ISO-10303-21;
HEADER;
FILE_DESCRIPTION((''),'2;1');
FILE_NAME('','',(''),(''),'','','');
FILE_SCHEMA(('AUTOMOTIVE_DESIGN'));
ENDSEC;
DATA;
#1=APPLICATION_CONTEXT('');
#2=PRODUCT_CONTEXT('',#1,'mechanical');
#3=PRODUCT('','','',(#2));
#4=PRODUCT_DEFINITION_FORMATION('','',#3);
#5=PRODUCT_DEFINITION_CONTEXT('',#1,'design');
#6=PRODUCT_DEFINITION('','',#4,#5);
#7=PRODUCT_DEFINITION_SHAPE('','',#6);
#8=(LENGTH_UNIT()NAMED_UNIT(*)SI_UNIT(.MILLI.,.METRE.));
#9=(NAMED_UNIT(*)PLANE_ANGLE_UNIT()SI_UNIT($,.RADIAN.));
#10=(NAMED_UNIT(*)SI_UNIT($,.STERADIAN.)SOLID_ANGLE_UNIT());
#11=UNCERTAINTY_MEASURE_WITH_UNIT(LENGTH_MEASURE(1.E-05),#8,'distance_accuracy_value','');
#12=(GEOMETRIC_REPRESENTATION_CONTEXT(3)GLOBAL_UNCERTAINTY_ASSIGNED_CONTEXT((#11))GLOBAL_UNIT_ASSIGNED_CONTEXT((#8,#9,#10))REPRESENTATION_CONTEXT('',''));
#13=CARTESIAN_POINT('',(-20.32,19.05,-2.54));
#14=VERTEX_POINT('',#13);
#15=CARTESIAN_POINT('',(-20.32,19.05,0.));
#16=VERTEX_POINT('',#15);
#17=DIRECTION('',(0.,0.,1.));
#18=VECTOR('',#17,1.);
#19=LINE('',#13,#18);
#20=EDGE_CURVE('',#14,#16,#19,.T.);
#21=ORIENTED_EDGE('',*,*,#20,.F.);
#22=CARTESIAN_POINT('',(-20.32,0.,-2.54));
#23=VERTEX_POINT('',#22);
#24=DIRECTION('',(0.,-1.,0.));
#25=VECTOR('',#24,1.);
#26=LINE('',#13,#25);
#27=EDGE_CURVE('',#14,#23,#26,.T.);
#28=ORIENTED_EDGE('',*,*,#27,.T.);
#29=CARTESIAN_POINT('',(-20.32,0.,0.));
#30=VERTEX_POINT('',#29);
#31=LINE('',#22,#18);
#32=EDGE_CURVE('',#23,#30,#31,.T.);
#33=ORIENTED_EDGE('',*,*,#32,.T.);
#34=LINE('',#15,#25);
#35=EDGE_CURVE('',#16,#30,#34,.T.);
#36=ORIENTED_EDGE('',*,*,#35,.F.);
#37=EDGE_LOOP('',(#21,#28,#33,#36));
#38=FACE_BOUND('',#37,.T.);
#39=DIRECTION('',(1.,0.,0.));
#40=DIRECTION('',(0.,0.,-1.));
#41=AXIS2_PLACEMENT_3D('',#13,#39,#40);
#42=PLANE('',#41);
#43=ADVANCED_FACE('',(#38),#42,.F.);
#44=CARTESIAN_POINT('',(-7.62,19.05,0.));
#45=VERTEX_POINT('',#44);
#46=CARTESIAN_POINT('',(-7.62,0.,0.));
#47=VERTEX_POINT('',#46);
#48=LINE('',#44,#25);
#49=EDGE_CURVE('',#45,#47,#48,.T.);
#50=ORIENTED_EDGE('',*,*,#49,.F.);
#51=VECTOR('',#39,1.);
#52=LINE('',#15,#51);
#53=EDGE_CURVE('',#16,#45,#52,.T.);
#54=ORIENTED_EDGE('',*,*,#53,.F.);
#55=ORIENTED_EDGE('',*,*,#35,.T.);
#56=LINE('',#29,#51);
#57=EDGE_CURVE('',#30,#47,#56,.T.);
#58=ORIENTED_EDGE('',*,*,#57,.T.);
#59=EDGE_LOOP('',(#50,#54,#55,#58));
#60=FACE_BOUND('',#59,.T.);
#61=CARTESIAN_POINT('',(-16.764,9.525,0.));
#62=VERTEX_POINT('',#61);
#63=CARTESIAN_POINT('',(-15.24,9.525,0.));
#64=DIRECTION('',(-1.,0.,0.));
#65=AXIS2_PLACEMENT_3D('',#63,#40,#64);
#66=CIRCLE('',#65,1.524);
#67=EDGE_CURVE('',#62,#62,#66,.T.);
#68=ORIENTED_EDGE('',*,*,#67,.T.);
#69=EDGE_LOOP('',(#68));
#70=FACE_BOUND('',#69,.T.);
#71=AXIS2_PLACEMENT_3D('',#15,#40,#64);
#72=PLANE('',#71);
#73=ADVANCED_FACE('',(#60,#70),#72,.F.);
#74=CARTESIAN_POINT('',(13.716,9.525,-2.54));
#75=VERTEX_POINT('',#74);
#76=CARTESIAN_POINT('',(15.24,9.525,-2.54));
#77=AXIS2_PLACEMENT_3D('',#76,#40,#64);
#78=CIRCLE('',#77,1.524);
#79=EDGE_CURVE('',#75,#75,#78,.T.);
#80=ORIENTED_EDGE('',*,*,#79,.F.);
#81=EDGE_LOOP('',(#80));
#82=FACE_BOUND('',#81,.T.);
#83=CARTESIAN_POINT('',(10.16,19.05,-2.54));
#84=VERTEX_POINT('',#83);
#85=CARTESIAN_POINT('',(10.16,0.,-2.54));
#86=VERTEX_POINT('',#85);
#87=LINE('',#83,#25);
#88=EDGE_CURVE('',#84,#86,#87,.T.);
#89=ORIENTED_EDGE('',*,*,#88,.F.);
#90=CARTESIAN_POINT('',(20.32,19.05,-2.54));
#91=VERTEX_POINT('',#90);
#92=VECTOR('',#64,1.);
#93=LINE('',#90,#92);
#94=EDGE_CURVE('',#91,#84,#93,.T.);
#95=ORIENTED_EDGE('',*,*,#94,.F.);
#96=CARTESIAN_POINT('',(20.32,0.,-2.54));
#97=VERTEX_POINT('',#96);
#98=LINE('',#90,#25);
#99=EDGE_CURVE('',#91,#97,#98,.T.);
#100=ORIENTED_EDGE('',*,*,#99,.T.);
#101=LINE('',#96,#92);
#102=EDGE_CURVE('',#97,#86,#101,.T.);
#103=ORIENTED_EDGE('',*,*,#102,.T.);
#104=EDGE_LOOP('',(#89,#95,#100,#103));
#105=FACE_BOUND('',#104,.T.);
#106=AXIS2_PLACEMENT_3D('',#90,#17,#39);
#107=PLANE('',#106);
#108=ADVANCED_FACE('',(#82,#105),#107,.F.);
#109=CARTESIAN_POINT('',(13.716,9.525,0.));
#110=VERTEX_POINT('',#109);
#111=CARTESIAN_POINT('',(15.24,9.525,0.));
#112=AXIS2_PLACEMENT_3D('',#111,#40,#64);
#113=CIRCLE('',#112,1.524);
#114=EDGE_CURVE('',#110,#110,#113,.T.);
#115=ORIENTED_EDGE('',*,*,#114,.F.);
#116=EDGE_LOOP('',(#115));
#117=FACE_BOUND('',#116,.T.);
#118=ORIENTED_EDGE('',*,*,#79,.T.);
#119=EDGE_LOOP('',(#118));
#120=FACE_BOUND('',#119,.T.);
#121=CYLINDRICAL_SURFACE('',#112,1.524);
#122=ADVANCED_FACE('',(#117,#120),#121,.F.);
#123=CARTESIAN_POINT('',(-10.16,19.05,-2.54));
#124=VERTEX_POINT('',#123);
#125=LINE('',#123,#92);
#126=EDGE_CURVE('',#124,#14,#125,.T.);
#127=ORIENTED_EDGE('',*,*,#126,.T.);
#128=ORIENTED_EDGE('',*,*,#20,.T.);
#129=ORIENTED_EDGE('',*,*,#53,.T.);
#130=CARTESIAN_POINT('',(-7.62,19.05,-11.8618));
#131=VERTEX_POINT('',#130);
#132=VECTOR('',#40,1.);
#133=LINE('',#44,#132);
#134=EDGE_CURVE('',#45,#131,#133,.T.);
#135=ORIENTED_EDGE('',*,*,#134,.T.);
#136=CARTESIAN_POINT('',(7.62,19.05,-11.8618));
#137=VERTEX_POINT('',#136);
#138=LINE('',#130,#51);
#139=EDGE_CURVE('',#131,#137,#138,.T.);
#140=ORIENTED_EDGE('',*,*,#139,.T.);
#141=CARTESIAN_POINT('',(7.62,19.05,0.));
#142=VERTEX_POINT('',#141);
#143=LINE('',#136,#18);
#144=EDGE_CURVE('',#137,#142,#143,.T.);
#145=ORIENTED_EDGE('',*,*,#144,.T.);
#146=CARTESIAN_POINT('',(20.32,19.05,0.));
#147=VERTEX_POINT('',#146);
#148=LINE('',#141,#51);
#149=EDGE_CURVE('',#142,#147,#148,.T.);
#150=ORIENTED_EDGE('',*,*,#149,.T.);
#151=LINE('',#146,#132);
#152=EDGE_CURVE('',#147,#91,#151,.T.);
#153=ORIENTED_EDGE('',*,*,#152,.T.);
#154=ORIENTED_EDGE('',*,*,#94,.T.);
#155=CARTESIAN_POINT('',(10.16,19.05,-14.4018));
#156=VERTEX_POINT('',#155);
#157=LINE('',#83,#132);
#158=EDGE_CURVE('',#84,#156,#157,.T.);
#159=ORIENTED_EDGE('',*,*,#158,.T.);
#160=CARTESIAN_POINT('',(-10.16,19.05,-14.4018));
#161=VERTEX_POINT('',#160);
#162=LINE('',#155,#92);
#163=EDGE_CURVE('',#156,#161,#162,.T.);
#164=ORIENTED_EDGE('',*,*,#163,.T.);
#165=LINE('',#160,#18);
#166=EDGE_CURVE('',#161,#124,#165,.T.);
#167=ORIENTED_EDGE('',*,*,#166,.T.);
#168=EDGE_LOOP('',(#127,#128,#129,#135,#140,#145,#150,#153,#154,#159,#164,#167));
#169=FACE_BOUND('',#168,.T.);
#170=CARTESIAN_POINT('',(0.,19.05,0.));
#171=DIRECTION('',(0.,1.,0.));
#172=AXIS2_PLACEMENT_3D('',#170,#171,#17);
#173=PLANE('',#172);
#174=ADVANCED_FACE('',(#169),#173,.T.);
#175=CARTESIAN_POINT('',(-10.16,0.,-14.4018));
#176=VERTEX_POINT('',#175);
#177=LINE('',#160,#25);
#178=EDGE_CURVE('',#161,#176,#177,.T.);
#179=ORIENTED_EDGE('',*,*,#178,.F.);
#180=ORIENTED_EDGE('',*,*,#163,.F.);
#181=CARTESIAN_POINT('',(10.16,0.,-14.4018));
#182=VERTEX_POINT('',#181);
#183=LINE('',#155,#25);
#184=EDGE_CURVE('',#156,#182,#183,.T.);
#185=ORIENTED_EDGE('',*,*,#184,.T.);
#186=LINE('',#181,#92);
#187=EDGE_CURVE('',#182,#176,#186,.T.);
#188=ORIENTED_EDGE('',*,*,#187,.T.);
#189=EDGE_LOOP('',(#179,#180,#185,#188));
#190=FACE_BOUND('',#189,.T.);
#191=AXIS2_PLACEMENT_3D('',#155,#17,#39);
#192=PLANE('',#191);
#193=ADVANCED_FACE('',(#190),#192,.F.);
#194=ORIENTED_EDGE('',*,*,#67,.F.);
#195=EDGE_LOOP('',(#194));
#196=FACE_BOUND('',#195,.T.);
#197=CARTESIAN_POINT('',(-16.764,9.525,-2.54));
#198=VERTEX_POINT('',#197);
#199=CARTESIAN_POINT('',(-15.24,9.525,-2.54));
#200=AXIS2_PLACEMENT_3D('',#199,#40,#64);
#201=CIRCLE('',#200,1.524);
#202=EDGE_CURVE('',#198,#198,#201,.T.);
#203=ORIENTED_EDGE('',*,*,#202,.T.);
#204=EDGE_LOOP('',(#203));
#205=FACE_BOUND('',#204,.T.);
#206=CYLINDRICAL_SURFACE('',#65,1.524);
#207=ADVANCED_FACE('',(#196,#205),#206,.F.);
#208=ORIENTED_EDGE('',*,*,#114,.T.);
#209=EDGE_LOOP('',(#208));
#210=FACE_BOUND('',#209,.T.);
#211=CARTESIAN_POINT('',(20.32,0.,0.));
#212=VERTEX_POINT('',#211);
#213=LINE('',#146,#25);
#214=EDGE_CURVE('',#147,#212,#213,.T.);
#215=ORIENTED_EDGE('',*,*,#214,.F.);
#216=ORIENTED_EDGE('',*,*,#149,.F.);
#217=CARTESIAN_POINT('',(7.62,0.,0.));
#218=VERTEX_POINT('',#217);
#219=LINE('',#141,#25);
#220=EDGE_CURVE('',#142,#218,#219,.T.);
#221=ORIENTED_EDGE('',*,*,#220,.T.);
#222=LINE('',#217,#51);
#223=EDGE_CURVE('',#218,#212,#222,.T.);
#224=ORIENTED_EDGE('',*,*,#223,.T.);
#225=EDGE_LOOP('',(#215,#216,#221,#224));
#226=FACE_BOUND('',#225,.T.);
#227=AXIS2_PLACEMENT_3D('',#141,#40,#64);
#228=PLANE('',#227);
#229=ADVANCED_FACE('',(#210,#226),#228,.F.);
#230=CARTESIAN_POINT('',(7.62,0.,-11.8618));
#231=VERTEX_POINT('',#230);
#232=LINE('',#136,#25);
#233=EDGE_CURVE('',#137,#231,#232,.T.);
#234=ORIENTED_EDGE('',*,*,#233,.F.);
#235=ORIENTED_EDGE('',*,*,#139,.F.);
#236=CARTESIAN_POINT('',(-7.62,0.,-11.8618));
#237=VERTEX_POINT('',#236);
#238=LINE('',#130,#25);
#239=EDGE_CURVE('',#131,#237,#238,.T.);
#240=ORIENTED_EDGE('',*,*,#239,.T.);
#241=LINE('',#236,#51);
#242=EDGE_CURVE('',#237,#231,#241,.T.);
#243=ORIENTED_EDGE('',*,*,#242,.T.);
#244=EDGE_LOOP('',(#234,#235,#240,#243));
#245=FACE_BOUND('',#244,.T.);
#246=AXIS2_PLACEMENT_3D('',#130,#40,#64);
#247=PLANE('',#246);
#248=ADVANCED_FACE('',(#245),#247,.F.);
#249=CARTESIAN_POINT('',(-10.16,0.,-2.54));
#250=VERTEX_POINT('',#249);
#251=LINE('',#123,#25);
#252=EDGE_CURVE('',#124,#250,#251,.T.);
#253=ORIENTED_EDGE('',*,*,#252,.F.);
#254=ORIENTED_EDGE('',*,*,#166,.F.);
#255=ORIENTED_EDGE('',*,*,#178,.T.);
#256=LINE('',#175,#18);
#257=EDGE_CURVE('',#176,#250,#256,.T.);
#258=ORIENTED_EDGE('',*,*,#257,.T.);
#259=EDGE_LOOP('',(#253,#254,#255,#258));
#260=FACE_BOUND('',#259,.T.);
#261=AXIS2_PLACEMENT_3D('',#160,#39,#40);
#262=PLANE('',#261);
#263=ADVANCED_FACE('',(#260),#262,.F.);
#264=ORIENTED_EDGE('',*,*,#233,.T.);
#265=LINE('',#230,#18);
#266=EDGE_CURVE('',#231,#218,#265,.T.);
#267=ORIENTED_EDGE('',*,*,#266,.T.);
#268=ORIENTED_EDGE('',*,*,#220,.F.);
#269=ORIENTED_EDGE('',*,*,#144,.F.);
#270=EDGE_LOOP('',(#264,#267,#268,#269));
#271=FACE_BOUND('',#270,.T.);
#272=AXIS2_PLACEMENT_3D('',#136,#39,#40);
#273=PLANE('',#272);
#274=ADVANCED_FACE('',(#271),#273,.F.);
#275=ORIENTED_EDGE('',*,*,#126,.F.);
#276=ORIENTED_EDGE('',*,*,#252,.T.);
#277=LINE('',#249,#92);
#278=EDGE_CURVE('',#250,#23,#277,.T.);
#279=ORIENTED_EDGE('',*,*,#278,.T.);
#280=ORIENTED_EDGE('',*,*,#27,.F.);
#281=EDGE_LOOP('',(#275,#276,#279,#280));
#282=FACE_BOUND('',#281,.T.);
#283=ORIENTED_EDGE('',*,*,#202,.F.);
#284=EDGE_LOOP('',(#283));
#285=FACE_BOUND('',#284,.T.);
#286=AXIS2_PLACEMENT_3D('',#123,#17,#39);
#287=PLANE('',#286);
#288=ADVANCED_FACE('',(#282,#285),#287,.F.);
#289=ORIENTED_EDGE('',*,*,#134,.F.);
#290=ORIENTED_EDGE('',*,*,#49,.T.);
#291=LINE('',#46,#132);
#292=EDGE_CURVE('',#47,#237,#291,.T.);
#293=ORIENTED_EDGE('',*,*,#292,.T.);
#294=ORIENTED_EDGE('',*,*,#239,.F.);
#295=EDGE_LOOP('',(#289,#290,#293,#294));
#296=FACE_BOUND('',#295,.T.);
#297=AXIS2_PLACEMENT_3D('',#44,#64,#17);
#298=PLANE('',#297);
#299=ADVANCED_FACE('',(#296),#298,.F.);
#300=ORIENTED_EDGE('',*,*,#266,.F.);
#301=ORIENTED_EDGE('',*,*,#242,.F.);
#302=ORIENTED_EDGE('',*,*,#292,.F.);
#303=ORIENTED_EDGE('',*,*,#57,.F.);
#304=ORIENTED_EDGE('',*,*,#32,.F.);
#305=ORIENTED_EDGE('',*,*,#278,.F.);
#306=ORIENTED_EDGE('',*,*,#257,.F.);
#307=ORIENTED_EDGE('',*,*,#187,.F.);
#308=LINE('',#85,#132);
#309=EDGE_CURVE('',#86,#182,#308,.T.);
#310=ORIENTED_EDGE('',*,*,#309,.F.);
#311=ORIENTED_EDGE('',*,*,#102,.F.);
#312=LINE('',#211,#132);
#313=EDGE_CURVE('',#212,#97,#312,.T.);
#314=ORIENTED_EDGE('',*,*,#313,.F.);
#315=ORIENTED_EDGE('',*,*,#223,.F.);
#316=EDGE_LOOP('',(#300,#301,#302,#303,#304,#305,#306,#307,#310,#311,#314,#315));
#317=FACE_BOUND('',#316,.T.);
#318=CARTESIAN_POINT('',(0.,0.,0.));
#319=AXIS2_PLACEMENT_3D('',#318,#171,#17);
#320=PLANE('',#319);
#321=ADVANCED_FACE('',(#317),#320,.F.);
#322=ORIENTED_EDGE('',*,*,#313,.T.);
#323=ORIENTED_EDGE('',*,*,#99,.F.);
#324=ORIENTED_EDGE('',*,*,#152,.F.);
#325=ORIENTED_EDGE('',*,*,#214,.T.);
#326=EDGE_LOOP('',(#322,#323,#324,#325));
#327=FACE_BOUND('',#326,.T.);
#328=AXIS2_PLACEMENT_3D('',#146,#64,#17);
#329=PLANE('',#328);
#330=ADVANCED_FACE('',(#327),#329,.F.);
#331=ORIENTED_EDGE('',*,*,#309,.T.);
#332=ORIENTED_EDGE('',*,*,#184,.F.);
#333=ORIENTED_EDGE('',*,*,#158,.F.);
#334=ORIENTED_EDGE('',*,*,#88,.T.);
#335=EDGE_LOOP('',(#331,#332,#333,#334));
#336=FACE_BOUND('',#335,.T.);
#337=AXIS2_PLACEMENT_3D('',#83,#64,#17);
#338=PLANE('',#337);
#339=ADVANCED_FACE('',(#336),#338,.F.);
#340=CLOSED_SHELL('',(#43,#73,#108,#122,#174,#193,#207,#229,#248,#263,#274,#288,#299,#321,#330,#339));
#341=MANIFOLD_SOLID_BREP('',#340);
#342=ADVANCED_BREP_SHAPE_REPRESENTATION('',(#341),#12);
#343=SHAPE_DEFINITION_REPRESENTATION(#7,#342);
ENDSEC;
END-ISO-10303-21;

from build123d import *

# Parameters (mm, degrees)
BOSS_EXTRUDE1_DEPTH = 19.05
SKETCH2_R           = 1.524
CUT_EXTRUDE1_DEPTH  = 3.54


with BuildPart() as part:
    # Sketch1 → Boss-Extrude1 (new body)
    with BuildSketch(Plane(origin=(0, 0, 0), x_dir=(1, 0, 0), z_dir=(0, 1, 0))):
        Polygon((7.62, 0), (20.32, 0), (20.32, 2.54), (10.16, 2.54), (10.16, 14.4018), (-10.16, 14.4018), (-10.16, 2.54), (-20.32, 2.54), (-20.32, 0), (-7.62, 0), (-7.62, 11.8618), (7.62, 11.8618), align=None)
    extrude(amount=BOSS_EXTRUDE1_DEPTH)

    # Sketch2 → Cut-Extrude1 (cut, through all)
    with BuildSketch(Plane(origin=(0, 0, -2.54), x_dir=(-1, 0, 0), z_dir=(0, 0, -1))):
        with Locations((15.24, 9.525)):
            Circle(SKETCH2_R)
        with Locations((-15.24, 9.525)):
            Circle(SKETCH2_R)
    extrude(amount=-CUT_EXTRUDE1_DEPTH, mode=Mode.SUBTRACT)


solid = part.part
